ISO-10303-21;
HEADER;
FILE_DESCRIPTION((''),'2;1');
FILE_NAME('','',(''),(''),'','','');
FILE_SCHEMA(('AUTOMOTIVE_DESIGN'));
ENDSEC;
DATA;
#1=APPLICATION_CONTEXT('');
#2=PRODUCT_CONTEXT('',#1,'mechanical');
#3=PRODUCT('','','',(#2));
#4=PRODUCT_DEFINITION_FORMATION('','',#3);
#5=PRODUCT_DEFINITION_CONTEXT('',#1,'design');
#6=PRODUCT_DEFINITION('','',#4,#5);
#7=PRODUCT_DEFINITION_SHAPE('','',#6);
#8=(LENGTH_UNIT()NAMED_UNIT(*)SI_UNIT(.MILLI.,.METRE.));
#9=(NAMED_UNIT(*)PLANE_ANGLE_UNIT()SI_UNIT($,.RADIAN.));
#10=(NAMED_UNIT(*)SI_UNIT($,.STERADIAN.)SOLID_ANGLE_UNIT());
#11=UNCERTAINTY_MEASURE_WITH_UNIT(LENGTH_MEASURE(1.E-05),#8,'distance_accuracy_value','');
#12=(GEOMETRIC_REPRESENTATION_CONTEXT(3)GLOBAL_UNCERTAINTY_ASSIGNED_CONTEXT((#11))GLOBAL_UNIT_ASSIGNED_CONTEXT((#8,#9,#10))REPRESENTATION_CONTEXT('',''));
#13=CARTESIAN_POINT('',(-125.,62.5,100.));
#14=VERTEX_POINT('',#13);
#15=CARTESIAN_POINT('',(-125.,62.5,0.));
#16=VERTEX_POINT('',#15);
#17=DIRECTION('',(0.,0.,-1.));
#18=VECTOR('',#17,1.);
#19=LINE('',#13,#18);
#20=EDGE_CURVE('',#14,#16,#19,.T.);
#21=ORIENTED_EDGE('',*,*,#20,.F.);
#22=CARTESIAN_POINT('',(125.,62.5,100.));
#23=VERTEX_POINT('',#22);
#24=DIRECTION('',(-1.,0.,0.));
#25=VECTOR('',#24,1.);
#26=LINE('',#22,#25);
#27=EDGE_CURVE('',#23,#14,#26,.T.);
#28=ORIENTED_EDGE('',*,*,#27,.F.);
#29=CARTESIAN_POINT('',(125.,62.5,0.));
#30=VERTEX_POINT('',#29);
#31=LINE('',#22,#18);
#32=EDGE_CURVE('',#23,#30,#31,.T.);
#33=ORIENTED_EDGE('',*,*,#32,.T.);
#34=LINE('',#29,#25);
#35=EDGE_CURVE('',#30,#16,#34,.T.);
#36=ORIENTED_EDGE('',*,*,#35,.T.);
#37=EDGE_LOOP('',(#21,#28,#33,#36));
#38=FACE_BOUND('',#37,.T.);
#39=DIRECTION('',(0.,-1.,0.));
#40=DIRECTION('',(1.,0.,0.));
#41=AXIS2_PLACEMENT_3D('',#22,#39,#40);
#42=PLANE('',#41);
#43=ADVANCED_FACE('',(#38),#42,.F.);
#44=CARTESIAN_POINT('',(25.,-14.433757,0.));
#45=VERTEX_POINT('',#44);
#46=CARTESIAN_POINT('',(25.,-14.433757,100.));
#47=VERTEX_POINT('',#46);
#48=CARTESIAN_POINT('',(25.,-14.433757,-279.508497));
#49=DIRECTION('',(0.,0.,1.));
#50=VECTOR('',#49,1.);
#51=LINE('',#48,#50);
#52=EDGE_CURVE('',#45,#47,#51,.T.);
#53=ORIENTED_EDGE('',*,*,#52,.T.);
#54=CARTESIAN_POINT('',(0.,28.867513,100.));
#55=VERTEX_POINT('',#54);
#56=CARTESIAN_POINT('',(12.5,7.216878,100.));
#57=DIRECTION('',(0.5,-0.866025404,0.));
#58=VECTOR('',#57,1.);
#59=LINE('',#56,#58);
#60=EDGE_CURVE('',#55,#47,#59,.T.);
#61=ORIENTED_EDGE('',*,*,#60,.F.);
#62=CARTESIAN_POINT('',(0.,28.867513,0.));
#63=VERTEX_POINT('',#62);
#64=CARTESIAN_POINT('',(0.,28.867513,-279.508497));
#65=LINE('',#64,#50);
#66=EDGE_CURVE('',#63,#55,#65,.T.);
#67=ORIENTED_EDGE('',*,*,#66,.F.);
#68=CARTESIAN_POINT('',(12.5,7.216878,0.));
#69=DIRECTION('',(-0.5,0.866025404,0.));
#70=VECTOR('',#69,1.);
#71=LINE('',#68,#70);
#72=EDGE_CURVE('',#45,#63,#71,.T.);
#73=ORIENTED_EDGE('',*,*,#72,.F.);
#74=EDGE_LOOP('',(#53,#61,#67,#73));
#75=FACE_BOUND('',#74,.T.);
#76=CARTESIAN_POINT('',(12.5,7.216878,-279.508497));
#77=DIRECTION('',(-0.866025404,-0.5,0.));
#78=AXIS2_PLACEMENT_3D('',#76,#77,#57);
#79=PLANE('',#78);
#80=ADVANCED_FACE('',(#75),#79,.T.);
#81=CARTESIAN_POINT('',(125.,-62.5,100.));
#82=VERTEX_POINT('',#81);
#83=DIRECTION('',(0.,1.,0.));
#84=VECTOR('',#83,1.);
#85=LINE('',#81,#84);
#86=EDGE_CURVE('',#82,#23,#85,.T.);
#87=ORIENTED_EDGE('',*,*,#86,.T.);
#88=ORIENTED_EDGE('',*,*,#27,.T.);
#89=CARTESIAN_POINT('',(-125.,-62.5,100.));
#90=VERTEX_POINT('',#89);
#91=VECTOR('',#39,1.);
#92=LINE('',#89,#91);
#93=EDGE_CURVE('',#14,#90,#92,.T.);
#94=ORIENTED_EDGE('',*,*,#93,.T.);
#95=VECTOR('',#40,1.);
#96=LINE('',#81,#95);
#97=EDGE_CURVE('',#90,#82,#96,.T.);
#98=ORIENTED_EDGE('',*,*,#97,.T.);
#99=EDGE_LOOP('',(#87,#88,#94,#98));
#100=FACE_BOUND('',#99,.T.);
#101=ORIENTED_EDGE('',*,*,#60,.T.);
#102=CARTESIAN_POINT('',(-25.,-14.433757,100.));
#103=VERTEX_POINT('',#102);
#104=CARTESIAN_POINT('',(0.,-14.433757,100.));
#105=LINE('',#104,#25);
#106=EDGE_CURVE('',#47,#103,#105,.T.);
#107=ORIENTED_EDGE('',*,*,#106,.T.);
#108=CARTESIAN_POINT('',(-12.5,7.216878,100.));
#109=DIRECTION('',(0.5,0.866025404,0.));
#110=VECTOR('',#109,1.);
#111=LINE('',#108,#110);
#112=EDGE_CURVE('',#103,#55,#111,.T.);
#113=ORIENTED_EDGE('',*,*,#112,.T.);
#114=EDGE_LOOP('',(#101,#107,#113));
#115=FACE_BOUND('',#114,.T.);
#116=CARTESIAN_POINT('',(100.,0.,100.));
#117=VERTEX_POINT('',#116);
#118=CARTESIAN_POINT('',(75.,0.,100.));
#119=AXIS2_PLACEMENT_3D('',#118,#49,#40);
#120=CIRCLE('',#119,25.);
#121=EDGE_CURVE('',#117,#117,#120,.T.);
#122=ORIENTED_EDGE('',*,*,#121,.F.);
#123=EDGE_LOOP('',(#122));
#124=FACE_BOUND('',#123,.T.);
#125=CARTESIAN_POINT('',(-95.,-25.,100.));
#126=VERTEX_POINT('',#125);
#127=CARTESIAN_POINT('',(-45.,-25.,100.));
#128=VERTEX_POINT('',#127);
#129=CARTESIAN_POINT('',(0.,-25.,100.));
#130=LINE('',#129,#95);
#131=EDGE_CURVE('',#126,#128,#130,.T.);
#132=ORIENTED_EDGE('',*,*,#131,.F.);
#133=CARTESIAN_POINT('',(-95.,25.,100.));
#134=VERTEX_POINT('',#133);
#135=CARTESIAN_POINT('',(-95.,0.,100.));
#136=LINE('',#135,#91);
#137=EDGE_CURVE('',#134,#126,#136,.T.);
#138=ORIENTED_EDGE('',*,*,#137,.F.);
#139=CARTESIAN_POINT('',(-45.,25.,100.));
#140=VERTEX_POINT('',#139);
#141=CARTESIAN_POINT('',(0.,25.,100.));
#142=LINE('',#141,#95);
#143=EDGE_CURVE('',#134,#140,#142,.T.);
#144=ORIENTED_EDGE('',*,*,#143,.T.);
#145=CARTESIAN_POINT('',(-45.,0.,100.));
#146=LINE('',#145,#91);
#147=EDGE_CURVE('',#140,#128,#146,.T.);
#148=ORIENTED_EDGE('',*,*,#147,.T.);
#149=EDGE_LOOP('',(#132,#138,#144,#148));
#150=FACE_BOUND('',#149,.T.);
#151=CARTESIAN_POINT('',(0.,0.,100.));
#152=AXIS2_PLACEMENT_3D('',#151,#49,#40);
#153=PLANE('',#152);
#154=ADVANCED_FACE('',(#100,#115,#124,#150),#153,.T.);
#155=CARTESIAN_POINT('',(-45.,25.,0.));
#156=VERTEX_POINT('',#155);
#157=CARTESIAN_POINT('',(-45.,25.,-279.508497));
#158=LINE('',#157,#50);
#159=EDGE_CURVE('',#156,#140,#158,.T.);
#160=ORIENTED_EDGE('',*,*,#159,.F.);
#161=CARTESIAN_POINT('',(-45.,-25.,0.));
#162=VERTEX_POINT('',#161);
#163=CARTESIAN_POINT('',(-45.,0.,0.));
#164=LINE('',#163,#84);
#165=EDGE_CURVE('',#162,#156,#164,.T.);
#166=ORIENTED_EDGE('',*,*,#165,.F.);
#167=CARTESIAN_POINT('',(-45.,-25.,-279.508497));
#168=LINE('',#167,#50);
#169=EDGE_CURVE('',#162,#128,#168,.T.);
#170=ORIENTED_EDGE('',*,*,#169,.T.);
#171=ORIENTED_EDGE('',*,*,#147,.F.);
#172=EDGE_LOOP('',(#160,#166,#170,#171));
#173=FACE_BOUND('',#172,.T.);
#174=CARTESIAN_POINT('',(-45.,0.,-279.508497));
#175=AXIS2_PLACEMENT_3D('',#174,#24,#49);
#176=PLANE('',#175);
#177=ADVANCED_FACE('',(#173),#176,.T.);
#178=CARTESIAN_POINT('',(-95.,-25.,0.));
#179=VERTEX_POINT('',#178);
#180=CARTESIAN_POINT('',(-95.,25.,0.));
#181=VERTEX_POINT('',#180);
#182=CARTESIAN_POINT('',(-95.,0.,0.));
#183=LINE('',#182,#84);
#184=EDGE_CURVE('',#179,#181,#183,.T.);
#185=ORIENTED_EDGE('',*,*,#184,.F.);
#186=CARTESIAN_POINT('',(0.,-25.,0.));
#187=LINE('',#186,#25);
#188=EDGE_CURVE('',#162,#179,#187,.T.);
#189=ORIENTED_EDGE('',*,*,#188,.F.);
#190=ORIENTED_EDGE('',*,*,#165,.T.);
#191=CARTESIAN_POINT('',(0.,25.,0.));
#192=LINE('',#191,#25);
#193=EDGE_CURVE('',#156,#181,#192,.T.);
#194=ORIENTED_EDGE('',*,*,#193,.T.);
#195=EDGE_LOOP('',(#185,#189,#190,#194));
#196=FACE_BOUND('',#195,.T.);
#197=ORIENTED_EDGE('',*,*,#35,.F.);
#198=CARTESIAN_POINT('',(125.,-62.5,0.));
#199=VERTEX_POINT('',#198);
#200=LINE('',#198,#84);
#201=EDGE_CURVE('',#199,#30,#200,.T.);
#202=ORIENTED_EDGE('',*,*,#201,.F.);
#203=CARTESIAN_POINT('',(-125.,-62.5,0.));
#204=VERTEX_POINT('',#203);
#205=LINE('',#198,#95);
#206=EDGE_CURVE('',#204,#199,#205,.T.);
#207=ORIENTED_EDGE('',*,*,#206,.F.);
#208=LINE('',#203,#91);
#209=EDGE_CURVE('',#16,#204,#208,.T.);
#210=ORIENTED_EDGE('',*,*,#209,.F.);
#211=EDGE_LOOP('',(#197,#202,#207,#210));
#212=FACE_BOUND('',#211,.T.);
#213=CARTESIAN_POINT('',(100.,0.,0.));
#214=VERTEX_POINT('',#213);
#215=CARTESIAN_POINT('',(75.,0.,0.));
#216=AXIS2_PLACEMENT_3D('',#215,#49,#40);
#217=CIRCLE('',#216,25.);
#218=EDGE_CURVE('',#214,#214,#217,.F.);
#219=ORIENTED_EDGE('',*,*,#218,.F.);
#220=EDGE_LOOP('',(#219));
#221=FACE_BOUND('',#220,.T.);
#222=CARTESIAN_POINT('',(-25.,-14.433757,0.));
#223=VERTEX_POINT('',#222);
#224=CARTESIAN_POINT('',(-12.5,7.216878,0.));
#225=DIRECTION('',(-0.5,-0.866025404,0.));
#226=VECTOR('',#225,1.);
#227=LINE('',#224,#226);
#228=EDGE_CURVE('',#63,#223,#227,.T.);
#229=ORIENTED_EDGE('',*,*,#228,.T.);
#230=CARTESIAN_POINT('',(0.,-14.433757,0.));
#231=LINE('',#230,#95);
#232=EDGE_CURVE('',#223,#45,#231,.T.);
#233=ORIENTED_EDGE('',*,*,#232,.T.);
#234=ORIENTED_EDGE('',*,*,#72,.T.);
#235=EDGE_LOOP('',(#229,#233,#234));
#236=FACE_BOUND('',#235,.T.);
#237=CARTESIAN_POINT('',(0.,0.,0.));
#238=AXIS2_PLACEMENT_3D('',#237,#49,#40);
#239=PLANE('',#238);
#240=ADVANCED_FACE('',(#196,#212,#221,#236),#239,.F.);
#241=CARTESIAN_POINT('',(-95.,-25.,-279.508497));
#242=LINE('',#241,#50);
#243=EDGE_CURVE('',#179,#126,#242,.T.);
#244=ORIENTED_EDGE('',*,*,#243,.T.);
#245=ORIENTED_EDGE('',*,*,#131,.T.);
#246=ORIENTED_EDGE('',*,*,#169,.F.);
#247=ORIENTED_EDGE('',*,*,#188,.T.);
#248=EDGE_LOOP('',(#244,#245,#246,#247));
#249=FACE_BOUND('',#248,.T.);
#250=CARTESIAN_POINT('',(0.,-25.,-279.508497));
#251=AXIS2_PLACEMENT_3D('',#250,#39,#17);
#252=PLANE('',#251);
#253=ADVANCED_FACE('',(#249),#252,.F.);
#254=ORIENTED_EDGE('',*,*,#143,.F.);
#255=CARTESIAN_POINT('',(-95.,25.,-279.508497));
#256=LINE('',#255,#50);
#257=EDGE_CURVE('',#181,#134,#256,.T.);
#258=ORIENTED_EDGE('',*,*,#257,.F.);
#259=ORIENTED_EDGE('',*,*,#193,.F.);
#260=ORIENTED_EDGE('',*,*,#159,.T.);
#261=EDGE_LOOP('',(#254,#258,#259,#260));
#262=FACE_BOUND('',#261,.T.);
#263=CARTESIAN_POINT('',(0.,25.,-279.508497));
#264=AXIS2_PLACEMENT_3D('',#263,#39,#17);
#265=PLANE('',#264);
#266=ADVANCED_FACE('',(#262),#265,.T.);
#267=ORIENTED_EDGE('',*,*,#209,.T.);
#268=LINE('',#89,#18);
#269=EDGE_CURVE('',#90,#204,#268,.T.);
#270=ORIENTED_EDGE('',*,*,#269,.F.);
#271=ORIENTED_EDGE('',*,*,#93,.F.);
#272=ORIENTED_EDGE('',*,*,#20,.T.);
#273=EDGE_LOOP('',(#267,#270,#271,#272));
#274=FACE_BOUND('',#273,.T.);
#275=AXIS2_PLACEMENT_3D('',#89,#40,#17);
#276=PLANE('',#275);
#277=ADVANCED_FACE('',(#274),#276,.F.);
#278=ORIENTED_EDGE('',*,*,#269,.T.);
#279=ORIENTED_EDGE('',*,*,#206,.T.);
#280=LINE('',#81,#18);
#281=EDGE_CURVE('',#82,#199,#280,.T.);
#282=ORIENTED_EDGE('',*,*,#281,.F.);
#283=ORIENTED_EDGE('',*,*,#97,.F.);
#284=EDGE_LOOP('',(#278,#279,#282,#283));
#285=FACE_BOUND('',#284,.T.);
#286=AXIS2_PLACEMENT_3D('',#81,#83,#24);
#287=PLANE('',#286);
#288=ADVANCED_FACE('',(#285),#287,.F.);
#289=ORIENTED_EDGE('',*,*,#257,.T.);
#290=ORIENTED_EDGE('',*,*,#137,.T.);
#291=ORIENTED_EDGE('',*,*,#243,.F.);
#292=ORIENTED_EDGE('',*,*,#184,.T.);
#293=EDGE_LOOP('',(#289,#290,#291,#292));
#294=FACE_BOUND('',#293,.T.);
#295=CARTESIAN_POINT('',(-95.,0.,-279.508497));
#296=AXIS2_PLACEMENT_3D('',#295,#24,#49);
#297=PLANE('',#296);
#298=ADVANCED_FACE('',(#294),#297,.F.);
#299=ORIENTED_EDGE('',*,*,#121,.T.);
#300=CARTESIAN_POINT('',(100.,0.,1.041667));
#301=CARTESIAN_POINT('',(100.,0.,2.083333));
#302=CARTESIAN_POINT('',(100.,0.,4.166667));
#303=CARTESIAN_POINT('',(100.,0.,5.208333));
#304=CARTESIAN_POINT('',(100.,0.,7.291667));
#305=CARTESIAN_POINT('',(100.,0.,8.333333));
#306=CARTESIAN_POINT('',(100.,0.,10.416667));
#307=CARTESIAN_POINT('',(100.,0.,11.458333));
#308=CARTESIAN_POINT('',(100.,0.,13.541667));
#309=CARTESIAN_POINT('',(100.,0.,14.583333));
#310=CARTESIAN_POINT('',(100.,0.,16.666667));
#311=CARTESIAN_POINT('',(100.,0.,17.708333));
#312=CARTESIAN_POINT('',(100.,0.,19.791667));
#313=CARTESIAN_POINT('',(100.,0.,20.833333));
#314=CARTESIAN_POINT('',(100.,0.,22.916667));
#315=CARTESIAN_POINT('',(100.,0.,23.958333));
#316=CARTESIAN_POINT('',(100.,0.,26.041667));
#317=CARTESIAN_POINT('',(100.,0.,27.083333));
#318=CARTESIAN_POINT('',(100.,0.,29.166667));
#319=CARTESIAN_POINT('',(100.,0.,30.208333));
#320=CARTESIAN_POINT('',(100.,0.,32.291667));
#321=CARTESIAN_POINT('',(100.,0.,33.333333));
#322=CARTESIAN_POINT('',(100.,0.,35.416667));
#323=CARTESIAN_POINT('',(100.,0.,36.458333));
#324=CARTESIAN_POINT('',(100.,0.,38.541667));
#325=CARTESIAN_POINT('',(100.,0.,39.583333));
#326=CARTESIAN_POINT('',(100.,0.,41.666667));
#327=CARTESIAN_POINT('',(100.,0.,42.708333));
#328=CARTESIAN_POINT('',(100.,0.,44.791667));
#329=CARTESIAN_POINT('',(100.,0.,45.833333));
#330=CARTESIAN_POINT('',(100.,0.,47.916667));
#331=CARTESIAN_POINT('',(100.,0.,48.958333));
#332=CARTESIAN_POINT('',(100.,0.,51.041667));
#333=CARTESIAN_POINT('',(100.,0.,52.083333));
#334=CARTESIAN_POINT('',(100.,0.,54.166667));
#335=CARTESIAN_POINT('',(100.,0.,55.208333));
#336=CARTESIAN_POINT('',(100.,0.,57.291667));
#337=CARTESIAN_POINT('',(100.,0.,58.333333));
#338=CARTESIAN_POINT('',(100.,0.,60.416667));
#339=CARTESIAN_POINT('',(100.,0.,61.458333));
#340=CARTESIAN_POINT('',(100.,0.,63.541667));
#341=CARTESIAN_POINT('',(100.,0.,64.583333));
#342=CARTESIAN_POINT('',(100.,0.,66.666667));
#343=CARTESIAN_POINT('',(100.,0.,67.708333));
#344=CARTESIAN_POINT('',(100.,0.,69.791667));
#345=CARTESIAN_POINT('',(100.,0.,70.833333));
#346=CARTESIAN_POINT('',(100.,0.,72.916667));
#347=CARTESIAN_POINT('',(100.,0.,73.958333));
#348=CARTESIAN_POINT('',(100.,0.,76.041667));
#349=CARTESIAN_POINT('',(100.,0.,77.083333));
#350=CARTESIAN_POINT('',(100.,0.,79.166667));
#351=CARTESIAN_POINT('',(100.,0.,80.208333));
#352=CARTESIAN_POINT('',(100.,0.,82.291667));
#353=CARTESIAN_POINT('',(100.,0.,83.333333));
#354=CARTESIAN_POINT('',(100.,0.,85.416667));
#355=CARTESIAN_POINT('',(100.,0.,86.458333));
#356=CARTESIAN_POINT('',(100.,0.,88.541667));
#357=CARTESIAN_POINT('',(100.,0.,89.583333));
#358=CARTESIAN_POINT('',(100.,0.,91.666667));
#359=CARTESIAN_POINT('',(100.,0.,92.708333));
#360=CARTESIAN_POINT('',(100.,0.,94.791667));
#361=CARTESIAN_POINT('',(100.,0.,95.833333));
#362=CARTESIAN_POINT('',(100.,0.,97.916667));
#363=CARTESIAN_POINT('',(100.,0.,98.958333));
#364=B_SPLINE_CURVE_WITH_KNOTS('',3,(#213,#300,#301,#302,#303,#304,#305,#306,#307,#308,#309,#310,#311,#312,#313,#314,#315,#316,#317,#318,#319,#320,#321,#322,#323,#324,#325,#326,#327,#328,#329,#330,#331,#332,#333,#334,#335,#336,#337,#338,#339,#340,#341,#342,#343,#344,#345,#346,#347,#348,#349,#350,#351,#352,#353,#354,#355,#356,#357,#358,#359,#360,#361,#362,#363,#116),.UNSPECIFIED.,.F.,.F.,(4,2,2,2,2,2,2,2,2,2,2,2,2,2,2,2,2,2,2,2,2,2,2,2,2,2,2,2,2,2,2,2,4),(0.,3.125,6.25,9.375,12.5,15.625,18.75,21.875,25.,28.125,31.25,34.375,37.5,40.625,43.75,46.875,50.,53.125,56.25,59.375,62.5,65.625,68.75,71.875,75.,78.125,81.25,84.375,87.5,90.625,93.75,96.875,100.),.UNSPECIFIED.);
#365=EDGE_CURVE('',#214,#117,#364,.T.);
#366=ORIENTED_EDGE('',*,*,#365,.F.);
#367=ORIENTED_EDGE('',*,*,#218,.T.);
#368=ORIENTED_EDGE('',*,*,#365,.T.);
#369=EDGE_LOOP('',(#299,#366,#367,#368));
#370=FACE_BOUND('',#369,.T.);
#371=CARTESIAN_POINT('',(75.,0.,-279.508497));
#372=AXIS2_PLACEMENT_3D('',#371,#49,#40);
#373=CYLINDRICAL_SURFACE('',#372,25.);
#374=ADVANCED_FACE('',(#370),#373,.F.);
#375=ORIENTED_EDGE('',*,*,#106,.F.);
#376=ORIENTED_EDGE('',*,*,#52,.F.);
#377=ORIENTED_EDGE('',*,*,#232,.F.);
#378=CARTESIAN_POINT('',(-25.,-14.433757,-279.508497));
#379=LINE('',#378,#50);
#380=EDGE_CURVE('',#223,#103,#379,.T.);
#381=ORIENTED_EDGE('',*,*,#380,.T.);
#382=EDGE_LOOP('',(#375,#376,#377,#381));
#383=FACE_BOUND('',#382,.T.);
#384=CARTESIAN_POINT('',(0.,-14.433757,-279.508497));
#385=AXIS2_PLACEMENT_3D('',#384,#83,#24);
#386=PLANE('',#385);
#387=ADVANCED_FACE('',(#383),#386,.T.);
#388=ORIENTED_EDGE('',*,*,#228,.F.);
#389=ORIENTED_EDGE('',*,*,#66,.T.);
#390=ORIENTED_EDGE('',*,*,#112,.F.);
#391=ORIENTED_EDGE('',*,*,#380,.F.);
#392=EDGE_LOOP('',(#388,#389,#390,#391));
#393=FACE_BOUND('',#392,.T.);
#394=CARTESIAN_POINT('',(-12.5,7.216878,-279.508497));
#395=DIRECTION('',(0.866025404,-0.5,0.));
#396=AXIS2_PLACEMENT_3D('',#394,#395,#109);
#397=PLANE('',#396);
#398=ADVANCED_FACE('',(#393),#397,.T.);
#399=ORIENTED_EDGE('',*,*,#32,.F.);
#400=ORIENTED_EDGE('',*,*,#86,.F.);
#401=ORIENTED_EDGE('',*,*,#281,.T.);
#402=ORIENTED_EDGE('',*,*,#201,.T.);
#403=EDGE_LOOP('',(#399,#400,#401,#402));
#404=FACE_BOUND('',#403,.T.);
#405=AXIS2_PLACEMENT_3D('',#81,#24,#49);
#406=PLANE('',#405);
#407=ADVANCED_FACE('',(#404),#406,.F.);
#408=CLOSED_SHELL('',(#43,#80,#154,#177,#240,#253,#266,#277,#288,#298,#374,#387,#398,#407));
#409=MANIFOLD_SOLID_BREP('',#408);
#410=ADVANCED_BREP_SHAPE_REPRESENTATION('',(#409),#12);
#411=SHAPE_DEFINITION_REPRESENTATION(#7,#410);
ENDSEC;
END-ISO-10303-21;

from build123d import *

# Parameters (mm, degrees)
SKETCH1_W           = 250
SKETCH1_H           = 125
SKETCH1_W_2         = 230
SKETCH1_H_2         = 115
BOSS_EXTRUDE1_DEPTH = 100
SKETCH3_W           = 250
SKETCH3_H           = 125
SKETCH3_W_2         = 230
SKETCH3_H_2         = 115
SKETCH3_R           = 25
SKETCH3_W_3         = 50
SKETCH3_H_3         = 50
BOSS_EXTRUDE4_DEPTH = 100


with BuildPart() as part:
    # Sketch1 → Boss-Extrude1 (new body)
    with BuildSketch(Plane.XY):
        Rectangle(SKETCH1_W, SKETCH1_H)
        Rectangle(SKETCH1_W_2, SKETCH1_H_2, mode=Mode.SUBTRACT)
    extrude(amount=BOSS_EXTRUDE1_DEPTH)

    # Sketch3 → Boss-Extrude4 (add)
    # profile 1 of 2: a face of its own
    with BuildSketch(Plane.XY.offset(100)):
        Rectangle(SKETCH3_W, SKETCH3_H)
        Rectangle(SKETCH3_W_2, SKETCH3_H_2, mode=Mode.SUBTRACT)
    # profile 2 of 2: a face of its own
    with BuildSketch(Plane.XY.offset(100)):
        Rectangle(SKETCH3_W_2, SKETCH3_H_2)
        with Locations((75, 0)):
            Circle(SKETCH3_R, mode=Mode.SUBTRACT)
        with Locations((-70, 0)):
            Rectangle(SKETCH3_W_3, SKETCH3_H_3, mode=Mode.SUBTRACT)
        Polygon((0, 28.867513459), (25, -14.43375673), (-25, -14.43375673), align=None, mode=Mode.SUBTRACT)
    extrude(amount=-BOSS_EXTRUDE4_DEPTH)


solid = part.part
